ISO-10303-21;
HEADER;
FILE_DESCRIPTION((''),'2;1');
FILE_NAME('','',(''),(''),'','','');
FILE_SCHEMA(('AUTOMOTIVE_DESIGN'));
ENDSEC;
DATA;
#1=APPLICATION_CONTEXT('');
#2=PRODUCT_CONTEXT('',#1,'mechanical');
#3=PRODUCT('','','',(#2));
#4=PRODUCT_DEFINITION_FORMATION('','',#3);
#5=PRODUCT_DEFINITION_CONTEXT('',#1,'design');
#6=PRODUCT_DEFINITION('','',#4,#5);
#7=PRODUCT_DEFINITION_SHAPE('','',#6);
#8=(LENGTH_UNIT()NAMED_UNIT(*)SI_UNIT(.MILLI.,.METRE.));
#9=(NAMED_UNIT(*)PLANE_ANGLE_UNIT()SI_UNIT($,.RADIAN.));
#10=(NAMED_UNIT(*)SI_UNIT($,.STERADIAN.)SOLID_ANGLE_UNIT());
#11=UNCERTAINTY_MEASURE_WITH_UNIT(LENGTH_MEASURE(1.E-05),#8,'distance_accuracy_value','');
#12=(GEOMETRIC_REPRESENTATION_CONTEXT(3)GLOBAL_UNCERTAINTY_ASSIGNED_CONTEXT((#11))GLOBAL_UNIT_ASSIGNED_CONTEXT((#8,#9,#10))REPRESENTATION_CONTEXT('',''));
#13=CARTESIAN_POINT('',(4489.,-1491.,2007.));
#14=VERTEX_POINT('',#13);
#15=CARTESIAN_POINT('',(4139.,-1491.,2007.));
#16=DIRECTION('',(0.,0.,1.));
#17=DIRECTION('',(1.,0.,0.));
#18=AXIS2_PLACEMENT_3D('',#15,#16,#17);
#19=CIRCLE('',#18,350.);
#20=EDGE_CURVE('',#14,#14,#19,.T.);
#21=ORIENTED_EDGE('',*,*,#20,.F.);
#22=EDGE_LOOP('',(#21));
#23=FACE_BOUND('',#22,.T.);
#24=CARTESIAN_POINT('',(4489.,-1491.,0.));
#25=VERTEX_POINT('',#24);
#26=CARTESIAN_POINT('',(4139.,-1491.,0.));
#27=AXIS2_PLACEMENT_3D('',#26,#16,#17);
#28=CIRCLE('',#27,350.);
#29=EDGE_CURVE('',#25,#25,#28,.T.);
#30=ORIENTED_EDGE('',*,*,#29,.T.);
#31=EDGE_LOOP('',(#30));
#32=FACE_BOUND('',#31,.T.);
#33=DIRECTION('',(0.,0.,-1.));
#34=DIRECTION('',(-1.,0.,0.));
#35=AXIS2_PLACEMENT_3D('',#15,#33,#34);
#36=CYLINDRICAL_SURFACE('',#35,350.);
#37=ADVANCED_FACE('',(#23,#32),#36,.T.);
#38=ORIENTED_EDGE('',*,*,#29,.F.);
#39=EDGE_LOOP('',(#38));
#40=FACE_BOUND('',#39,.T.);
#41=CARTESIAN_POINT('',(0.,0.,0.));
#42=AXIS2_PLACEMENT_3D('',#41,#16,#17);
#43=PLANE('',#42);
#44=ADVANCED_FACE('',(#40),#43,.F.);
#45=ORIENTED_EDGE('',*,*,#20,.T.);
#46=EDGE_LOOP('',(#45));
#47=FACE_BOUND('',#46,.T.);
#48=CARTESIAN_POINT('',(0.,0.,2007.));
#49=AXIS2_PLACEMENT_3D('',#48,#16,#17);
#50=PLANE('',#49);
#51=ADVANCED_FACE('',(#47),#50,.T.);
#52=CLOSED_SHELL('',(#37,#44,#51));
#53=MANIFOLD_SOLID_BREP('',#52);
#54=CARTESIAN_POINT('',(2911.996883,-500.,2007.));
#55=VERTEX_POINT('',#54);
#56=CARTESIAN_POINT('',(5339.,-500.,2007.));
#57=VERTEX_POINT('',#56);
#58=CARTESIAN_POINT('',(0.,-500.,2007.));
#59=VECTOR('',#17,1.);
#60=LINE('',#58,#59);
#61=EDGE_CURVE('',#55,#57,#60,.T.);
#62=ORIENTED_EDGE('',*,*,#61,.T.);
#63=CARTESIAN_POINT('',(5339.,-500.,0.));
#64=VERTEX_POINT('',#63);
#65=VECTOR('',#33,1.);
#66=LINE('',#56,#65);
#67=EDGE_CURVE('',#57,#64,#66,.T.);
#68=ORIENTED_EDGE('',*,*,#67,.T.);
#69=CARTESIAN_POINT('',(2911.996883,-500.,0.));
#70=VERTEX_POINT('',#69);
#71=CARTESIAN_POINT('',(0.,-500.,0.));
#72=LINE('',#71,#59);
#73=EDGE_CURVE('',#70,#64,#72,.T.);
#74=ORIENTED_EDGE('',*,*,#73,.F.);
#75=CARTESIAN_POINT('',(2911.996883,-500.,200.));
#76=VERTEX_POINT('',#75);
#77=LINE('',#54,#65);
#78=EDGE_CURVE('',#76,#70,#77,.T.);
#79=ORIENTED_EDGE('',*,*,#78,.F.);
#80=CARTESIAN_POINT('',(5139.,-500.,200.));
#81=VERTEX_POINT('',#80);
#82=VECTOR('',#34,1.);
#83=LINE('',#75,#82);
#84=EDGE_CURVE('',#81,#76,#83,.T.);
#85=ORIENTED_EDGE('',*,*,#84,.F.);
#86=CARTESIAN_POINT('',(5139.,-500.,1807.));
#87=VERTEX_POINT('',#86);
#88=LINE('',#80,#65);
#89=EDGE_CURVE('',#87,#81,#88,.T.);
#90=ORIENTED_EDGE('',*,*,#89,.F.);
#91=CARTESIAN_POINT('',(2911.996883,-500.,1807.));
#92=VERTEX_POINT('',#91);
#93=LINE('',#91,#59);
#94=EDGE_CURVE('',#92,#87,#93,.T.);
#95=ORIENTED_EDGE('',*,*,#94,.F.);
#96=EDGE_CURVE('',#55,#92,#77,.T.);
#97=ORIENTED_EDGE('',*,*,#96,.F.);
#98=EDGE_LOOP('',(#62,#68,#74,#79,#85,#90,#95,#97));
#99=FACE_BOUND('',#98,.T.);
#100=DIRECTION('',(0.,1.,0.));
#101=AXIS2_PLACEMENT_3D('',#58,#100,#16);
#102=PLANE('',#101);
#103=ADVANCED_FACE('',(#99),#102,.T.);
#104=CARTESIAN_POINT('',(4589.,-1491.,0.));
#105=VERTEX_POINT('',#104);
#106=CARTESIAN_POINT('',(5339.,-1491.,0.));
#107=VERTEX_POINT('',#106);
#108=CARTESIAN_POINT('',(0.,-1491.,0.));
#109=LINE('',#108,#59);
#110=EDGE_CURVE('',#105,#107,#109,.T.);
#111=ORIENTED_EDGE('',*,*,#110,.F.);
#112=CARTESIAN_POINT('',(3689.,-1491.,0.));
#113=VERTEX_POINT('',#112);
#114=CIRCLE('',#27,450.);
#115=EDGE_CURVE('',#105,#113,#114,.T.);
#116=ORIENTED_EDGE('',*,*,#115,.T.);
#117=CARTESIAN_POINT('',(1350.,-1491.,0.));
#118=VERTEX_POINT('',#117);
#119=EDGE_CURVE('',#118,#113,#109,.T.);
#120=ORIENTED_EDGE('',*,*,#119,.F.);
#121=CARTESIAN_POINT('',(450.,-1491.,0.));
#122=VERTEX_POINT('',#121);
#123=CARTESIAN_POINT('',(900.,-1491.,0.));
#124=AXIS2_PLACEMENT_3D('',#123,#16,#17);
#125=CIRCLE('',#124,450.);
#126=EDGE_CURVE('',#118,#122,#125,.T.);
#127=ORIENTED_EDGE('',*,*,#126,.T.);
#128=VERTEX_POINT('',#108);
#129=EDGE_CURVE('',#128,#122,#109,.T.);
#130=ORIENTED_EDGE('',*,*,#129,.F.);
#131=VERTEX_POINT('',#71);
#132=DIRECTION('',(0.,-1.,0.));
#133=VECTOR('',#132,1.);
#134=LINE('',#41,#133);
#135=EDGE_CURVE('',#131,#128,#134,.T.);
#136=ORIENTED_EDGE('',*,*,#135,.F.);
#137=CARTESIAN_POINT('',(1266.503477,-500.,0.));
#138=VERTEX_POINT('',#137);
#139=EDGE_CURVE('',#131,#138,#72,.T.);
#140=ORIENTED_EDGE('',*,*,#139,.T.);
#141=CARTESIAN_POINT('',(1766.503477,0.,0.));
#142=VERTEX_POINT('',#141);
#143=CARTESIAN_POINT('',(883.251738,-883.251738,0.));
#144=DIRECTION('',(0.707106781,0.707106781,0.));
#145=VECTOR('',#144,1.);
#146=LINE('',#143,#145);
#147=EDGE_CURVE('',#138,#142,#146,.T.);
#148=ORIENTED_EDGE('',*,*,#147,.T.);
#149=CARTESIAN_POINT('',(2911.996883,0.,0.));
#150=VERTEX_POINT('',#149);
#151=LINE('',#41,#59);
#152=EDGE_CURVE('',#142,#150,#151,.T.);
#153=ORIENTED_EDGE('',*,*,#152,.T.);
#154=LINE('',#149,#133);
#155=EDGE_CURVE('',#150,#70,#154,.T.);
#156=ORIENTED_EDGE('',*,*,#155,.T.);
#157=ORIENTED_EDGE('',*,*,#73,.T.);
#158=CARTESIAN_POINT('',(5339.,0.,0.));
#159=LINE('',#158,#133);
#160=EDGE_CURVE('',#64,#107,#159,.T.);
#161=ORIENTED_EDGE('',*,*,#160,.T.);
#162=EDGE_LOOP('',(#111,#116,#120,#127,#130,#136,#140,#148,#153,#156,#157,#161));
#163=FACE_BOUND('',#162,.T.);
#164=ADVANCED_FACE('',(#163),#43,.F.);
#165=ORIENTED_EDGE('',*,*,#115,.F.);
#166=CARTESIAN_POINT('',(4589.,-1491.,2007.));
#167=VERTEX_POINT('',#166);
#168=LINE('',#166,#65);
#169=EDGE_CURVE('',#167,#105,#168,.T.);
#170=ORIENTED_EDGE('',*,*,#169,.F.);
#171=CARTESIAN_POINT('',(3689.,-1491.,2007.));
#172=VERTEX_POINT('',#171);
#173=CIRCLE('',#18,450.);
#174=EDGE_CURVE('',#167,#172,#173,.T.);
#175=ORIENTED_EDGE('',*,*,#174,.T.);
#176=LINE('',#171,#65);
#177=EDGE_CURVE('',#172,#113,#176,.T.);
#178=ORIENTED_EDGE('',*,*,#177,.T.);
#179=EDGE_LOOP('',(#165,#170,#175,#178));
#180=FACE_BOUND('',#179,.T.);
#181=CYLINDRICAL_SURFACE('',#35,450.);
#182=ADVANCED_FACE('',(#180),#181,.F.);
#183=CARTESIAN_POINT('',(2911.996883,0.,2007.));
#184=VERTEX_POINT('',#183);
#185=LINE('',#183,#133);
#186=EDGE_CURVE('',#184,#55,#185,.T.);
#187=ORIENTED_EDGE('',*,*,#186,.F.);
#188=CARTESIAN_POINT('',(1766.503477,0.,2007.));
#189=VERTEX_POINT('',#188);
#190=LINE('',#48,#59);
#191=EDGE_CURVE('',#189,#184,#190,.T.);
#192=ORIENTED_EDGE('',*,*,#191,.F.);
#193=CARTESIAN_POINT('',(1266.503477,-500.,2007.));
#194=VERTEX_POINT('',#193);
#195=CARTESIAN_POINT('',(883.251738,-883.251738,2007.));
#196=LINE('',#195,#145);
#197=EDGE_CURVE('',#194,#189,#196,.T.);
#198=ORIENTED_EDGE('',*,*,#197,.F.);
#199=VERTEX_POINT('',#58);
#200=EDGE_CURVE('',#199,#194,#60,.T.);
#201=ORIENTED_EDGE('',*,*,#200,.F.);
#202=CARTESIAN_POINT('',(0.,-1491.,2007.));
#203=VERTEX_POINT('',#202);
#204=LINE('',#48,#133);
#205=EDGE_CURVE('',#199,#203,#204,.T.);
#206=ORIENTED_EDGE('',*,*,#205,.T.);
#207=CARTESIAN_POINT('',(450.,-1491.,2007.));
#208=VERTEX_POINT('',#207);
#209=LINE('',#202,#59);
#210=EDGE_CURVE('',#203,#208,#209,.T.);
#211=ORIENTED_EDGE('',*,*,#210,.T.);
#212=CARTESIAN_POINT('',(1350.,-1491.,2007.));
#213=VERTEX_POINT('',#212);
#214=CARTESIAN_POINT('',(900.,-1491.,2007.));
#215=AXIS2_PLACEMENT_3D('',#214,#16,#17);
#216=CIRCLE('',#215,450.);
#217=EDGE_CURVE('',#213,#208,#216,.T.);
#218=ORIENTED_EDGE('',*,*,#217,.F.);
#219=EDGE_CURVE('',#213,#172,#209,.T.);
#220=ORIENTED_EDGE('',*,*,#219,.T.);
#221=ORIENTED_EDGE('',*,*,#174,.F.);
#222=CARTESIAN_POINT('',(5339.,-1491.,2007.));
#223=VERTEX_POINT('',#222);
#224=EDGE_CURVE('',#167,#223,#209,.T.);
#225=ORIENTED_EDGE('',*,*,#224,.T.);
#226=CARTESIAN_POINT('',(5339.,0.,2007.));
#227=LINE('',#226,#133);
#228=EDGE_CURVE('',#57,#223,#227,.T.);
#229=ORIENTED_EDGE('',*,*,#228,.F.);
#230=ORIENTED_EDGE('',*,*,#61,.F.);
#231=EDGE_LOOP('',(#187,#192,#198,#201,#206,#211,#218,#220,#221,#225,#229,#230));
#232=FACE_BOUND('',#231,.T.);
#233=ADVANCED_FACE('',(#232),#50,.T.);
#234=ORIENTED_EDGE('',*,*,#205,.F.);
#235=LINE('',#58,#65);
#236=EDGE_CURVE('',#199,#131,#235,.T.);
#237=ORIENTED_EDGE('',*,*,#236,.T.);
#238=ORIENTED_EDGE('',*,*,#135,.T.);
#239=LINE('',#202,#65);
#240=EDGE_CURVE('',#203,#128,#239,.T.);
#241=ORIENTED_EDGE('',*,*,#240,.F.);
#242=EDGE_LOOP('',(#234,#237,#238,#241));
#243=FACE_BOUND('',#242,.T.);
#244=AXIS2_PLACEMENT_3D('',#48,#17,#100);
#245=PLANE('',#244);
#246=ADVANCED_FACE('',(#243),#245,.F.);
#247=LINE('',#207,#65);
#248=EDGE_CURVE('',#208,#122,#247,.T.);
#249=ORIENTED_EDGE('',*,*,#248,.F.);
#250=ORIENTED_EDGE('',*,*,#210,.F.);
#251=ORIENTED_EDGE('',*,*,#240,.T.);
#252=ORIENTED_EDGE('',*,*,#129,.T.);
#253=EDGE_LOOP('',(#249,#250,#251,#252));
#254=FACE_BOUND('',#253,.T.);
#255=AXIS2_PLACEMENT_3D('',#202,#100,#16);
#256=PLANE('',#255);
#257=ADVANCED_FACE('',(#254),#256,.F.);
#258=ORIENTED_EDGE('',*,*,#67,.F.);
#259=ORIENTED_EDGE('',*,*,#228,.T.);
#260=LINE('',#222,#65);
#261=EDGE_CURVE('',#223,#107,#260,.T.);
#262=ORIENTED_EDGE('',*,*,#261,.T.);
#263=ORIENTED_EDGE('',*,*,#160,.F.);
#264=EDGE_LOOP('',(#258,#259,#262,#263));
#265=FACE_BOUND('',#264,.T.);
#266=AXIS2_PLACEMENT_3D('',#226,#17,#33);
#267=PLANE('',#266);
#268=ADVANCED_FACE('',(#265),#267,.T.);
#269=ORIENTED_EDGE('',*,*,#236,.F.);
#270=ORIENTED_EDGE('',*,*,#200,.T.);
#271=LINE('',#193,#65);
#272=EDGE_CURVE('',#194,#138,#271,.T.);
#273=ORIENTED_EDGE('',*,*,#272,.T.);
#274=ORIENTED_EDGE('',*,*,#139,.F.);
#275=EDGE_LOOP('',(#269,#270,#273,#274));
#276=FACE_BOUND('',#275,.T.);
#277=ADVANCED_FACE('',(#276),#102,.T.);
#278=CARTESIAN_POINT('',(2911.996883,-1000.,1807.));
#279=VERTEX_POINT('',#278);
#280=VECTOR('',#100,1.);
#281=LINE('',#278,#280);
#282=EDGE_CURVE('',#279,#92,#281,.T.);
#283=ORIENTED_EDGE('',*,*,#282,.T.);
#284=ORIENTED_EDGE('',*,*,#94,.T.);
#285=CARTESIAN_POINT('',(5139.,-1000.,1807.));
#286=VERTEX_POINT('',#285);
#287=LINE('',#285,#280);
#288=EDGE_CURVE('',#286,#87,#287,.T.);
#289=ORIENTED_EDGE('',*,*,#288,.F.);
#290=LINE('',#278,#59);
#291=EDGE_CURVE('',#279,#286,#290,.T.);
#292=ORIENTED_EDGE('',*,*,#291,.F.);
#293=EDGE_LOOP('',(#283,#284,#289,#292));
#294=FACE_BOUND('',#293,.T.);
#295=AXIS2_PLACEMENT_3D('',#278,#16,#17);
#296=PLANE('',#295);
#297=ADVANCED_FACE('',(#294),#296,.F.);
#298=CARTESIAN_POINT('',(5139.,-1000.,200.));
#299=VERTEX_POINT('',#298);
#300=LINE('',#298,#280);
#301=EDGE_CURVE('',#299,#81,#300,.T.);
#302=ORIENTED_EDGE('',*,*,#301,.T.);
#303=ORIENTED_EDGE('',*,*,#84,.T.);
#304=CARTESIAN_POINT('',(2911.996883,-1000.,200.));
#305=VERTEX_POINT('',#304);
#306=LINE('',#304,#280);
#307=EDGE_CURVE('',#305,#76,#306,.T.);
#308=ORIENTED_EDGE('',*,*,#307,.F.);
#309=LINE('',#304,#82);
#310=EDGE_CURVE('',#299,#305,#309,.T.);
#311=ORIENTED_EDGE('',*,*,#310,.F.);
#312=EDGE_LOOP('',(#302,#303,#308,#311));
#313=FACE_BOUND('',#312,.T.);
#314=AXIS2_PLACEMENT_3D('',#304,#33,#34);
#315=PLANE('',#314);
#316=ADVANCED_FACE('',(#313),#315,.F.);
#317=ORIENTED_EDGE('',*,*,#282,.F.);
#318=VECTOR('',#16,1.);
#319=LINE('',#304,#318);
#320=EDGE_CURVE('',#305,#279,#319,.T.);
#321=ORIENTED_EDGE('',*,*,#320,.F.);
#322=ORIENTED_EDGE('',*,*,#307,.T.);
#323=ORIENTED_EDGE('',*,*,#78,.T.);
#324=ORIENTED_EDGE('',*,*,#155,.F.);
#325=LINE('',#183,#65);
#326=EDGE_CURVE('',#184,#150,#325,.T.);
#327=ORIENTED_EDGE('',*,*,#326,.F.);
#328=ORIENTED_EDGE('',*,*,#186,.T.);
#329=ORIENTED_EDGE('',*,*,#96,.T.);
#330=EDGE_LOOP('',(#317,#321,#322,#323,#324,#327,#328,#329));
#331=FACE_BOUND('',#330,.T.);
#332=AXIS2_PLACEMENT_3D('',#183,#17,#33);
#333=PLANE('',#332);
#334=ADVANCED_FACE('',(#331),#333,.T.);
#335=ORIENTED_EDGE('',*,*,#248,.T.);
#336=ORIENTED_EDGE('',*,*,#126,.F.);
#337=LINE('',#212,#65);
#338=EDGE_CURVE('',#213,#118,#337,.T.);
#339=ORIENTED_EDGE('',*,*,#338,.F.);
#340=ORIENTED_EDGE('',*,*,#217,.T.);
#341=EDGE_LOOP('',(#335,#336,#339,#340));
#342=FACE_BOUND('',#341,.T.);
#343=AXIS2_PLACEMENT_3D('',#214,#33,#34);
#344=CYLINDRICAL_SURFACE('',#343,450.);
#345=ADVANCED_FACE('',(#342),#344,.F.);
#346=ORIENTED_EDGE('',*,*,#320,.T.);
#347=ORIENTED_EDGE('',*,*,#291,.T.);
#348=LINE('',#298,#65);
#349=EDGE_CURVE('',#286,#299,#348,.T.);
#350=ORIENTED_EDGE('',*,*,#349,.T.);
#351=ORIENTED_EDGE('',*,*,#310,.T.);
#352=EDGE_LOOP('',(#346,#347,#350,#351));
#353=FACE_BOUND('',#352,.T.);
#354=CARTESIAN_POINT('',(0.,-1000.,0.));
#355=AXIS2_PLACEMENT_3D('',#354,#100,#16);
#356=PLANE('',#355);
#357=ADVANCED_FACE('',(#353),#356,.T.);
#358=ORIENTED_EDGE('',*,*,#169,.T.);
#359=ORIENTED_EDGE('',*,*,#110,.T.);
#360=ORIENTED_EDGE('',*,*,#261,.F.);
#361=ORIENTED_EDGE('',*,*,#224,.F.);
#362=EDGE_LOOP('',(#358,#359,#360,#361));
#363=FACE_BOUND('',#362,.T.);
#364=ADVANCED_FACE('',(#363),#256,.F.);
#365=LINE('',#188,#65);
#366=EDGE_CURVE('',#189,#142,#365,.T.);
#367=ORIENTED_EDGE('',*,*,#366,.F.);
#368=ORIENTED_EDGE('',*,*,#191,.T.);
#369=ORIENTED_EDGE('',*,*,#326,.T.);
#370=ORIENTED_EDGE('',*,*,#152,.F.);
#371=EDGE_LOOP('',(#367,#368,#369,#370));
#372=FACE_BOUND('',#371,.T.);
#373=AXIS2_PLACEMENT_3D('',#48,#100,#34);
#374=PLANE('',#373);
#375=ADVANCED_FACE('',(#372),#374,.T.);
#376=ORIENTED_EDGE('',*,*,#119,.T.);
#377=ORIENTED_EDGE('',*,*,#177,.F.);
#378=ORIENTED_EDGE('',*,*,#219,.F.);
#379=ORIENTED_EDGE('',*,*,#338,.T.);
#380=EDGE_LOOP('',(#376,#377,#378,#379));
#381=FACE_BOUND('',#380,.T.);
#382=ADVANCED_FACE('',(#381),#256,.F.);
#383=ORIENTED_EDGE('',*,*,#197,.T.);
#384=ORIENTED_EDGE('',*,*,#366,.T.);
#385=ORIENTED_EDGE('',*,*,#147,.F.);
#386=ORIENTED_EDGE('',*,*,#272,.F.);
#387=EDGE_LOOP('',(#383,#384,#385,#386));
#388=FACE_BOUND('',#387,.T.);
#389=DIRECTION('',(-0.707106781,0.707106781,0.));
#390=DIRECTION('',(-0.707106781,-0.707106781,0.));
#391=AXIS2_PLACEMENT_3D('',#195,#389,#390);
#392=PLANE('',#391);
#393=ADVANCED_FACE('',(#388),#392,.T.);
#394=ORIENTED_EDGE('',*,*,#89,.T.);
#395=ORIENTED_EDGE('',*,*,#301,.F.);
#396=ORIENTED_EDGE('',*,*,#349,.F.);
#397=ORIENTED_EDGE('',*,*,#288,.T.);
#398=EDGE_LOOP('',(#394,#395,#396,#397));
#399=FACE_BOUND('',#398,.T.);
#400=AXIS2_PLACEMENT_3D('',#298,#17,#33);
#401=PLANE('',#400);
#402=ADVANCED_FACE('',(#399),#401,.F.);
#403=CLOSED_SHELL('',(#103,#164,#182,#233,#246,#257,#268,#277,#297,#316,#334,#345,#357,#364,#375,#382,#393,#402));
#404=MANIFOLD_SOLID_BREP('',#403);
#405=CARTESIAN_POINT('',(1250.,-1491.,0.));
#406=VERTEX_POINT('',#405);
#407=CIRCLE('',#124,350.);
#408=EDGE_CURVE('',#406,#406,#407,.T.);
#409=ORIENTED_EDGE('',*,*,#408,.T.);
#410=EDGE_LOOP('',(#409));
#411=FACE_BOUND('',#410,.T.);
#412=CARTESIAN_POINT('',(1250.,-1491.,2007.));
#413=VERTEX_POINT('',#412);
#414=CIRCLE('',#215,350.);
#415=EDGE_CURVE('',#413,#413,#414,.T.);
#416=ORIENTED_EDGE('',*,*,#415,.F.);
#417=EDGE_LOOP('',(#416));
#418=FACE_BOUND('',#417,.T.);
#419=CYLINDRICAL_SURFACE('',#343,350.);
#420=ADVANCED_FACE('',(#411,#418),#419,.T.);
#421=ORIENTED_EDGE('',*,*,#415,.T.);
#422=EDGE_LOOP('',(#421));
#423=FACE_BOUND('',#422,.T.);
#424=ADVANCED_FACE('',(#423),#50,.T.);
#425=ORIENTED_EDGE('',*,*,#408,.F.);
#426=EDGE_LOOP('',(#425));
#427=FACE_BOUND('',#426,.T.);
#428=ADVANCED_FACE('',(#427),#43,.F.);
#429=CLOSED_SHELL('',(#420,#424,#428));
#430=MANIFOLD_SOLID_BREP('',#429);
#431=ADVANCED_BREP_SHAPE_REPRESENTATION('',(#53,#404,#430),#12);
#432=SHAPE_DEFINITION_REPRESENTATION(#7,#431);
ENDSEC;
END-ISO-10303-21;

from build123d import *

# Parameters (mm, degrees)
BOSS_EXTRUDE1_DEPTH   = 2007
SKETCH1_R             = 350
BOSS_EXTRUDE1_2_DEPTH = 2007
BOSS_EXTRUDE1_3_DEPTH = 2007
SKETCH2_W             = 2227.003117431
SKETCH2_H             = 1607
CUT_EXTRUDE1_DEPTH    = 500


with BuildPart() as part:
    # Sketch1 → Boss-Extrude1 (new body)
    with BuildSketch(Plane.XY):
        with BuildLine():
            ThreePointArc((4589, -1491), (4139, -1041), (3689, -1491))
            Line((3689, -1491), (1350, -1491))
            ThreePointArc((1350, -1491), (900, -1041), (450, -1491))
            Line((450, -1491), (0, -1491))
            Line((0, -1491), (0, -500))
            Line((0, -500), (1266.50347674, -500))
            Line((1266.50347674, -500), (1766.50347674, 0))
            Line((1766.50347674, 0), (2911.996882569, 0))
            Line((2911.996882569, 0), (2911.996882569, -500))
            Line((2911.996882569, -500), (5339, -500))
            Line((5339, -500), (5339, -1491))
            Line((5339, -1491), (4589, -1491))
        make_face()
    extrude(amount=BOSS_EXTRUDE1_DEPTH)

    # Sketch2 → Cut-Extrude1 (cut)
    with BuildSketch(Plane(origin=(0, -500, 0), x_dir=(1, 0, 0), z_dir=(0, 1, 0))):
        with Locations((4025.498441285, -1003.5)):
            Rectangle(SKETCH2_W, SKETCH2_H)
    extrude(amount=-CUT_EXTRUDE1_DEPTH, mode=Mode.SUBTRACT)


with BuildPart() as body_2:
    # Sketch1 → Boss-Extrude1 2 (new body)
    with BuildSketch(Plane.XY):
        with Locations((900, -1491)):
            Circle(SKETCH1_R)
    extrude(amount=BOSS_EXTRUDE1_2_DEPTH)


with BuildPart() as body_3:
    # Sketch1 → Boss-Extrude1 3 (new body)
    with BuildSketch(Plane.XY):
        with Locations((4139, -1491)):
            Circle(SKETCH1_R)
    extrude(amount=BOSS_EXTRUDE1_3_DEPTH)


solid = Compound([part.part, body_2.part, body_3.part])
